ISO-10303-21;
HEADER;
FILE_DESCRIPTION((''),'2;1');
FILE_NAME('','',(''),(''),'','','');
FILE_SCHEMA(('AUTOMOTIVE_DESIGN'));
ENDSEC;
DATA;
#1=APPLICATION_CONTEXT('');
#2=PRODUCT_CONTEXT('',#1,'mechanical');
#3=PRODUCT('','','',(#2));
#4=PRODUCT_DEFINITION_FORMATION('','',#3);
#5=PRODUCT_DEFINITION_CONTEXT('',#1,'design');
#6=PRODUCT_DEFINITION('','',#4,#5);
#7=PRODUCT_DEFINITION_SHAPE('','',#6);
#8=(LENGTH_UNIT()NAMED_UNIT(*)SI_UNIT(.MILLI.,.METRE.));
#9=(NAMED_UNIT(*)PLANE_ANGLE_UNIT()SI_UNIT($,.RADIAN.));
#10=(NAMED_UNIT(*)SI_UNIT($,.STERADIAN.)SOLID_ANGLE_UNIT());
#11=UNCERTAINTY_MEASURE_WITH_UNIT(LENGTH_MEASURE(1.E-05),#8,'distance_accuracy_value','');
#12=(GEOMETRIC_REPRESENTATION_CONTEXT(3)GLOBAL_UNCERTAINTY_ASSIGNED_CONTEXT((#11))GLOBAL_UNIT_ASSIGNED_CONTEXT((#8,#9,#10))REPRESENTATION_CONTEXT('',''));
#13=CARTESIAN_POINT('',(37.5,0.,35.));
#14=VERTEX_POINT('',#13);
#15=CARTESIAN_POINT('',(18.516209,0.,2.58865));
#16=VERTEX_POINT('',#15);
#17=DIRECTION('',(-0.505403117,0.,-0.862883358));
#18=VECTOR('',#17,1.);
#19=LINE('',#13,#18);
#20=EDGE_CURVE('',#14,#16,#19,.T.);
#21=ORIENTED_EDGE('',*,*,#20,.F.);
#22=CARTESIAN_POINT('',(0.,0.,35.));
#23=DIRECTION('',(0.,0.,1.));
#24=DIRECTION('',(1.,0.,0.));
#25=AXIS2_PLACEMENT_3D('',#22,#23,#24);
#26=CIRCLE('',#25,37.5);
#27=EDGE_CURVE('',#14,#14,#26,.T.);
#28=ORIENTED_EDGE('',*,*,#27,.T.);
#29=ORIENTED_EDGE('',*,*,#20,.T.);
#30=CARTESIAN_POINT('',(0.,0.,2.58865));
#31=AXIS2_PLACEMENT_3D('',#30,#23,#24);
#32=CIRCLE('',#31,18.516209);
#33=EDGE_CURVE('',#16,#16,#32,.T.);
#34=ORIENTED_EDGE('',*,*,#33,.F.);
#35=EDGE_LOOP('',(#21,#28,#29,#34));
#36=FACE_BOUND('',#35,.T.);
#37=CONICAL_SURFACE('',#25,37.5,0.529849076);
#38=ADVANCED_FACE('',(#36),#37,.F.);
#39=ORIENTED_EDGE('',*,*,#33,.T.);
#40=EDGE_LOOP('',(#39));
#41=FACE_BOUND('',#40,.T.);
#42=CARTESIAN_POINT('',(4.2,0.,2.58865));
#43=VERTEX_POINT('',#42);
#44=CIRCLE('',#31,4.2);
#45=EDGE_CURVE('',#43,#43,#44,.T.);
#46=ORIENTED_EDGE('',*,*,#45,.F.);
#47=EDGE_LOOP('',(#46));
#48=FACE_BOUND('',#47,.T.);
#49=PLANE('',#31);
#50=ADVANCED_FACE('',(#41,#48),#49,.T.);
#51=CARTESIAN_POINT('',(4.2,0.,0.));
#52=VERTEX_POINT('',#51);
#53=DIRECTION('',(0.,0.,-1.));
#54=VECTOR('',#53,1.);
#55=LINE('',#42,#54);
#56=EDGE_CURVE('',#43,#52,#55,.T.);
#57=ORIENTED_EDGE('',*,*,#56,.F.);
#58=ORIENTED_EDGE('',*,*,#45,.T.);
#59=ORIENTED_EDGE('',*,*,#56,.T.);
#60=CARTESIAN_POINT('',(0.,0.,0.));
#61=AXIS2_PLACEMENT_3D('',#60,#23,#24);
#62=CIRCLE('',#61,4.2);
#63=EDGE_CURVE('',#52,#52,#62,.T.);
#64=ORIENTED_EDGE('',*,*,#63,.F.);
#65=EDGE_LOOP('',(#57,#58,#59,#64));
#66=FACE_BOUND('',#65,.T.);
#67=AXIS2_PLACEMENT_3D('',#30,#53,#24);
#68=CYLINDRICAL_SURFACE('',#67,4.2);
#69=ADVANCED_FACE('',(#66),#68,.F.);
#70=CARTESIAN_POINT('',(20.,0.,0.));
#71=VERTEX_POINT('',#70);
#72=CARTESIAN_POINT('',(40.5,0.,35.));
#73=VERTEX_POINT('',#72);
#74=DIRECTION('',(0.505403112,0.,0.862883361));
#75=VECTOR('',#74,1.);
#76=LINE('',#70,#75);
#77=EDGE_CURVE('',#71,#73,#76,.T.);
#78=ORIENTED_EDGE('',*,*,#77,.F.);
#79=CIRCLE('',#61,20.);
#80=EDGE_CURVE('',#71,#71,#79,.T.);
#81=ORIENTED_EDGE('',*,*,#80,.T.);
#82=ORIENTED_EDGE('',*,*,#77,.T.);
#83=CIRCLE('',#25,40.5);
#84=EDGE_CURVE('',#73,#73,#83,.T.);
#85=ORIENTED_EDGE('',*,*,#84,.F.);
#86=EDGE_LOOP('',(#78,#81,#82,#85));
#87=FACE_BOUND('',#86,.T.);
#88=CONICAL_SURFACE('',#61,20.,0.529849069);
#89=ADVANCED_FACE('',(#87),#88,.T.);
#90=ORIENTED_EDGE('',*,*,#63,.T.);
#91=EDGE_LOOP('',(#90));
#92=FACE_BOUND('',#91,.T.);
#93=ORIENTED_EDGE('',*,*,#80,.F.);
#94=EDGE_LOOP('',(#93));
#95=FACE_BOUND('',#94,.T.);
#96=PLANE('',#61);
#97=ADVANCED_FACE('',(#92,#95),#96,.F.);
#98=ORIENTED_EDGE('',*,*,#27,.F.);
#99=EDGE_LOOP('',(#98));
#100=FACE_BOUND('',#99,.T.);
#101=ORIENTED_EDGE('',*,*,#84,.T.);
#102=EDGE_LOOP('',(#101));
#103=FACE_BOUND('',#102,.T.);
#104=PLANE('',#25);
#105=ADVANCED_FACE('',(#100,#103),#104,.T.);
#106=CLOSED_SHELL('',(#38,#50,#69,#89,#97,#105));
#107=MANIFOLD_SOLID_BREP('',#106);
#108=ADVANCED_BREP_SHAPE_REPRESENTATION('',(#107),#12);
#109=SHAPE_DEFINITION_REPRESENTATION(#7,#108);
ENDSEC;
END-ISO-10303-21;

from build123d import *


with BuildPart() as part:
    # Sketch → Revolution (revolve)
    with BuildSketch(Plane.XZ):
        Polygon((4.2, 2.58865), (4.2, 0), (20, 0), (40.5, 35), (37.5, 35), (18.516209, 2.58865), align=None)
    revolve(axis=Axis((0, 0, 0), (0, 0, 1)))


solid = part.part
